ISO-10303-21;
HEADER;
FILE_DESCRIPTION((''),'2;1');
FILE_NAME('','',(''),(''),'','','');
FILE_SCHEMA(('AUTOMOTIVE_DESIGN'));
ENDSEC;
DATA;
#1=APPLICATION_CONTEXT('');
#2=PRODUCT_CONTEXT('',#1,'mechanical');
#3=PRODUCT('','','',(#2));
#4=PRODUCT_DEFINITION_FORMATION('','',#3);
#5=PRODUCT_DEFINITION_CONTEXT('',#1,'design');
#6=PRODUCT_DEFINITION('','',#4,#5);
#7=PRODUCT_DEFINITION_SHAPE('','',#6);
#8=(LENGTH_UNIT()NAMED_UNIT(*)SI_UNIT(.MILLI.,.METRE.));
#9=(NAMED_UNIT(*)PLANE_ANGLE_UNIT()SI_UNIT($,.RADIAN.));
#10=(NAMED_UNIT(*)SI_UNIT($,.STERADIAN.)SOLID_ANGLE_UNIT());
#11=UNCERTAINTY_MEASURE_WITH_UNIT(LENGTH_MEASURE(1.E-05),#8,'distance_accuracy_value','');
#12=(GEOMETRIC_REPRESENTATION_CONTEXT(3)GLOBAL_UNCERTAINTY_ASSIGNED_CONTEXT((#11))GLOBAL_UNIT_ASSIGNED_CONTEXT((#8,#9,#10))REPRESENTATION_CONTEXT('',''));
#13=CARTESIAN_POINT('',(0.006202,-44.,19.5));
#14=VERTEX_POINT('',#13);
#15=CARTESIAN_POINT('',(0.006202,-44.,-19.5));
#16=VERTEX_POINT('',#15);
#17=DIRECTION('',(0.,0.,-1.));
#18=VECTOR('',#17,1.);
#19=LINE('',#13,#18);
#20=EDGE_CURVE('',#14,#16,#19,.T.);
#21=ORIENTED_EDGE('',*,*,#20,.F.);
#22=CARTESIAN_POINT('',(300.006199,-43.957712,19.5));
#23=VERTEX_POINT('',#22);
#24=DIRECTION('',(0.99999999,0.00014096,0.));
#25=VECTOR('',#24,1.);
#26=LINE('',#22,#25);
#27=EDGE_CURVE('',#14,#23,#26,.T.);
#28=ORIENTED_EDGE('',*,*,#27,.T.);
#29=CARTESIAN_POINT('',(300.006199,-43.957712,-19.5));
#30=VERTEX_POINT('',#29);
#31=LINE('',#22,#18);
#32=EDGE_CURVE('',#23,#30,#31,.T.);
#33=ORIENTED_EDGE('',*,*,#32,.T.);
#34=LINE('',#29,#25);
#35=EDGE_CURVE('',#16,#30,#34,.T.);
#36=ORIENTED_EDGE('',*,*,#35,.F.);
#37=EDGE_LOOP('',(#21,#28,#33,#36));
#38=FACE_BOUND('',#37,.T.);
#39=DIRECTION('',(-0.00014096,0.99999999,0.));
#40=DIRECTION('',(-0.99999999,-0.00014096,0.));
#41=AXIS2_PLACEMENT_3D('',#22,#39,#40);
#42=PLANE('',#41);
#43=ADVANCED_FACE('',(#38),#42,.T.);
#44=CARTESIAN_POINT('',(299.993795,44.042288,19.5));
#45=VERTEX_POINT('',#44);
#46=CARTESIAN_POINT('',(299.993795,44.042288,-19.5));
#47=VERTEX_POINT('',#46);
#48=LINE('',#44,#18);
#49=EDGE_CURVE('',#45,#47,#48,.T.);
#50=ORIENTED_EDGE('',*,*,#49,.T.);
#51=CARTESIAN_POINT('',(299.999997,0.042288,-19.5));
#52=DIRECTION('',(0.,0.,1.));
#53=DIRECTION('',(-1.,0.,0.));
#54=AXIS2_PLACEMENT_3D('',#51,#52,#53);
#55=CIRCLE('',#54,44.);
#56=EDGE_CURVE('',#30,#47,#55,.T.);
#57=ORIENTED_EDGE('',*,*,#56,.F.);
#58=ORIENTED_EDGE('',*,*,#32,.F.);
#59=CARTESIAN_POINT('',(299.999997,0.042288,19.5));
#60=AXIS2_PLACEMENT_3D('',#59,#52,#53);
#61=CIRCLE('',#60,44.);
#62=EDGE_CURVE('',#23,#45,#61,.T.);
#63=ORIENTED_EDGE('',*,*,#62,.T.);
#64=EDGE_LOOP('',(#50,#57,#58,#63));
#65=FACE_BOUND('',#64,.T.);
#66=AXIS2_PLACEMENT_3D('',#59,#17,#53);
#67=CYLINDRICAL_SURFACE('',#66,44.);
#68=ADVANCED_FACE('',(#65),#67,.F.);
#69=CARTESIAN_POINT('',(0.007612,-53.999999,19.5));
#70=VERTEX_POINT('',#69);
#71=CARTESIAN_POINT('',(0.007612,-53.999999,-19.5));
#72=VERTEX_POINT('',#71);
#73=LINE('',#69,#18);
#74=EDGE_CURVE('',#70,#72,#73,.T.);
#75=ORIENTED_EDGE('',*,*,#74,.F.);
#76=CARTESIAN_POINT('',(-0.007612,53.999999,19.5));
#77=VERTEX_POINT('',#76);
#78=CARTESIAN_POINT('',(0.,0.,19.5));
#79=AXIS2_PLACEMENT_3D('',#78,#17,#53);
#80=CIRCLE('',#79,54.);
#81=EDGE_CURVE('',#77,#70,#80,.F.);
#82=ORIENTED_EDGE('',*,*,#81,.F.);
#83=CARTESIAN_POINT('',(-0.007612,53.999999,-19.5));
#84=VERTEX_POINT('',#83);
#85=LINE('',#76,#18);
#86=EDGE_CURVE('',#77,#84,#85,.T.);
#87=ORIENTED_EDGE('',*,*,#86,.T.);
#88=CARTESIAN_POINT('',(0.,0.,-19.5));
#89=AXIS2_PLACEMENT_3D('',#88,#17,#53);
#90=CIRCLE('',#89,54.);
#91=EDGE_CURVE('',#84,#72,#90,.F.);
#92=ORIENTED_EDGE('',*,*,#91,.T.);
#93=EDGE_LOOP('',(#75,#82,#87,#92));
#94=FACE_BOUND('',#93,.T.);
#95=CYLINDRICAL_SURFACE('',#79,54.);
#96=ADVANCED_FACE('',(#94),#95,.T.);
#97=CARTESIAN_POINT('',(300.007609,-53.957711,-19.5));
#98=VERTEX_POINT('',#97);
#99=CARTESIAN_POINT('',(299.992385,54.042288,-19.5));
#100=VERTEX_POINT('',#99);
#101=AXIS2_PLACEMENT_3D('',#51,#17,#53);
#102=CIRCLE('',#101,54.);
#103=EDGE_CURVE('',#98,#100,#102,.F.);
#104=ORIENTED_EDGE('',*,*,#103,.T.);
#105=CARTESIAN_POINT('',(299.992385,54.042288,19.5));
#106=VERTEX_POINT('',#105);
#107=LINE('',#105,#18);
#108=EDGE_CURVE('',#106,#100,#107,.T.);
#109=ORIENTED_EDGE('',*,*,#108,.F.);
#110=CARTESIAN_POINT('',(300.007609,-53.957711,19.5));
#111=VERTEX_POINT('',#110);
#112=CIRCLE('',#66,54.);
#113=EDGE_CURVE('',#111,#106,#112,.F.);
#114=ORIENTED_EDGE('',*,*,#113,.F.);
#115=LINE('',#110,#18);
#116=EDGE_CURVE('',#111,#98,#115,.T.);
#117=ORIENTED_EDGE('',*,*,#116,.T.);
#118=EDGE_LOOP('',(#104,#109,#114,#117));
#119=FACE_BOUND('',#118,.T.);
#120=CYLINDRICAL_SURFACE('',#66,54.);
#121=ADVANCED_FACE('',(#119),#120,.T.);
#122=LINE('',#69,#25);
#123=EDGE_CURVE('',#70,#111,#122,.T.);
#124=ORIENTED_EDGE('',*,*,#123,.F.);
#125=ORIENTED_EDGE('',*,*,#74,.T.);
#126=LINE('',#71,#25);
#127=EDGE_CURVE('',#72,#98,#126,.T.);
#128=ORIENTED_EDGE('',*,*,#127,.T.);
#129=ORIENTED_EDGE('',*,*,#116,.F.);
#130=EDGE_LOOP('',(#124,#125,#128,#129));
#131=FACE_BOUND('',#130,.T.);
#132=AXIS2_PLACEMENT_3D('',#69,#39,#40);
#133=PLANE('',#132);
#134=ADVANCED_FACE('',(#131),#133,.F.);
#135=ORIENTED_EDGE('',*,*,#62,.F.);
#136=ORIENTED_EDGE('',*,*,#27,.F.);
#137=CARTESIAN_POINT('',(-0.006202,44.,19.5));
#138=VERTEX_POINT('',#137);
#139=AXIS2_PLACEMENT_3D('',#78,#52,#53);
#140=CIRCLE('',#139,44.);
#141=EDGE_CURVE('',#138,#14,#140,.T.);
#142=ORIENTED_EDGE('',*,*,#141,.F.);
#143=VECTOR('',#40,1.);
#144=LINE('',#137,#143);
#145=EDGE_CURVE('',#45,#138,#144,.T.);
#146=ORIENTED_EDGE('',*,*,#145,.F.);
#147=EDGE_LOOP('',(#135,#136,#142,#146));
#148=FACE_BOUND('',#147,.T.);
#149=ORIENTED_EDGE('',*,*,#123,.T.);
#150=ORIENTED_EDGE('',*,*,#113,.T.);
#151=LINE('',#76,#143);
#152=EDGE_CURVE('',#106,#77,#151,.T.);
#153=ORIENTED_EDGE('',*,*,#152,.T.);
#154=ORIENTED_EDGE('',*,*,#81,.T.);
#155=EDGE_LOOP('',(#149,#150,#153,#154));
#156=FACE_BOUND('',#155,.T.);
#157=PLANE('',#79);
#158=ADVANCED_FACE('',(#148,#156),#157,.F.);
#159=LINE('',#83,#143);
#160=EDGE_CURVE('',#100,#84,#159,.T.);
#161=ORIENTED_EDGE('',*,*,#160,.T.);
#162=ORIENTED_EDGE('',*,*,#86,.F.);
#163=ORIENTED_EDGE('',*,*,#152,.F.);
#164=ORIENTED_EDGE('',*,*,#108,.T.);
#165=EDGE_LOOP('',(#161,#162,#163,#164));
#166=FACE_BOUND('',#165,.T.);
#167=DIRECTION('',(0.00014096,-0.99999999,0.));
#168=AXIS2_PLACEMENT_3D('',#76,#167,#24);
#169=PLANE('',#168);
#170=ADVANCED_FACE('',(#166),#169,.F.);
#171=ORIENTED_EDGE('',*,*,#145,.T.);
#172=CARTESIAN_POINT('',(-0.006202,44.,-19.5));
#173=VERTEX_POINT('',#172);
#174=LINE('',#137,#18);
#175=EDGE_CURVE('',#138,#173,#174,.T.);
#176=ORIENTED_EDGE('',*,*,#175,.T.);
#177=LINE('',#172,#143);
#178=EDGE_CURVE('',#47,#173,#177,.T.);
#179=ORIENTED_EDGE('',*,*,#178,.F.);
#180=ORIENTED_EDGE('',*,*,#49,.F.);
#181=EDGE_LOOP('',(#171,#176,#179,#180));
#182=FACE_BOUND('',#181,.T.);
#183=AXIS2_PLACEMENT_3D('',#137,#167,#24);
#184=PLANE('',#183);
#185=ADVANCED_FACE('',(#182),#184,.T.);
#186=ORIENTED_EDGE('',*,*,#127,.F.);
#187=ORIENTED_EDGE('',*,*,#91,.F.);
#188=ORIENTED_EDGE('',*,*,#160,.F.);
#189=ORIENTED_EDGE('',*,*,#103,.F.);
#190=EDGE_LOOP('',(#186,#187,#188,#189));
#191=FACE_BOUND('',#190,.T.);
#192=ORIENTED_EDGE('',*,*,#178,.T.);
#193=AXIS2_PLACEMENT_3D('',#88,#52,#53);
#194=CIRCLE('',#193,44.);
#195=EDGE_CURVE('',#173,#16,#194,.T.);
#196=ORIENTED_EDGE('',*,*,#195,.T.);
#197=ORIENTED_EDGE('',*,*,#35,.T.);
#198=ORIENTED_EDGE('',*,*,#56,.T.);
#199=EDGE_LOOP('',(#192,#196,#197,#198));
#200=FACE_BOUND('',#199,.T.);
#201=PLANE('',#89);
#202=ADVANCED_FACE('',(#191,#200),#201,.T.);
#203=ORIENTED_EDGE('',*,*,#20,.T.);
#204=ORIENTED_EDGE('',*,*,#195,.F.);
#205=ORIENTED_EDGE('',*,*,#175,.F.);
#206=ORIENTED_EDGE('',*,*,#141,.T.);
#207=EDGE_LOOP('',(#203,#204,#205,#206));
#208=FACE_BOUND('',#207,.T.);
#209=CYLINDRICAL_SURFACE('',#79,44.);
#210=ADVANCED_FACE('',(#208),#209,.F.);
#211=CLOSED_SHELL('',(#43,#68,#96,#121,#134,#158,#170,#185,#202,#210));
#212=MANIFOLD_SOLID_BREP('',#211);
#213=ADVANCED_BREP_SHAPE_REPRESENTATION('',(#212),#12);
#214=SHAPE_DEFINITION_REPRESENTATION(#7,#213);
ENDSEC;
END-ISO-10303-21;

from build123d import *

# Parameters (mm, degrees)
EXTRUDE_THIN1_DEPTH = 19.5


with BuildPart() as part:
    # Sketch2 → Extrude-Thin1 (new, symmetric)
    with BuildSketch(Plane.XY):
        with BuildLine():
            Line((300.007608868, -53.957711417), (0.007611848, -53.999999464))
            ThreePointArc((0.007611848, -53.999999464), (-53.999999464, -0.007611848), (-0.007611848, 53.999999464))
            Line((-0.007611848, 53.999999464), (299.992385171, 54.04228751))
            ThreePointArc((299.992385171, 54.04228751), (353.999996483, 0.049899895), (300.007608868, -53.957711417))
        make_face()
        with BuildLine():
            Line((300.006199266, -43.957711516), (0.006202247, -43.999999563))
            ThreePointArc((0.006202247, -43.999999563), (-43.999999563, -0.006202247), (-0.006202247, 43.999999563))
            Line((-0.006202247, 43.999999563), (299.993794773, 44.04228761))
            ThreePointArc((299.993794773, 44.04228761), (343.999996582, 0.048490294), (300.006199266, -43.957711516))
        make_face(mode=Mode.SUBTRACT)
    extrude(amount=EXTRUDE_THIN1_DEPTH, both=True)


solid = part.part
